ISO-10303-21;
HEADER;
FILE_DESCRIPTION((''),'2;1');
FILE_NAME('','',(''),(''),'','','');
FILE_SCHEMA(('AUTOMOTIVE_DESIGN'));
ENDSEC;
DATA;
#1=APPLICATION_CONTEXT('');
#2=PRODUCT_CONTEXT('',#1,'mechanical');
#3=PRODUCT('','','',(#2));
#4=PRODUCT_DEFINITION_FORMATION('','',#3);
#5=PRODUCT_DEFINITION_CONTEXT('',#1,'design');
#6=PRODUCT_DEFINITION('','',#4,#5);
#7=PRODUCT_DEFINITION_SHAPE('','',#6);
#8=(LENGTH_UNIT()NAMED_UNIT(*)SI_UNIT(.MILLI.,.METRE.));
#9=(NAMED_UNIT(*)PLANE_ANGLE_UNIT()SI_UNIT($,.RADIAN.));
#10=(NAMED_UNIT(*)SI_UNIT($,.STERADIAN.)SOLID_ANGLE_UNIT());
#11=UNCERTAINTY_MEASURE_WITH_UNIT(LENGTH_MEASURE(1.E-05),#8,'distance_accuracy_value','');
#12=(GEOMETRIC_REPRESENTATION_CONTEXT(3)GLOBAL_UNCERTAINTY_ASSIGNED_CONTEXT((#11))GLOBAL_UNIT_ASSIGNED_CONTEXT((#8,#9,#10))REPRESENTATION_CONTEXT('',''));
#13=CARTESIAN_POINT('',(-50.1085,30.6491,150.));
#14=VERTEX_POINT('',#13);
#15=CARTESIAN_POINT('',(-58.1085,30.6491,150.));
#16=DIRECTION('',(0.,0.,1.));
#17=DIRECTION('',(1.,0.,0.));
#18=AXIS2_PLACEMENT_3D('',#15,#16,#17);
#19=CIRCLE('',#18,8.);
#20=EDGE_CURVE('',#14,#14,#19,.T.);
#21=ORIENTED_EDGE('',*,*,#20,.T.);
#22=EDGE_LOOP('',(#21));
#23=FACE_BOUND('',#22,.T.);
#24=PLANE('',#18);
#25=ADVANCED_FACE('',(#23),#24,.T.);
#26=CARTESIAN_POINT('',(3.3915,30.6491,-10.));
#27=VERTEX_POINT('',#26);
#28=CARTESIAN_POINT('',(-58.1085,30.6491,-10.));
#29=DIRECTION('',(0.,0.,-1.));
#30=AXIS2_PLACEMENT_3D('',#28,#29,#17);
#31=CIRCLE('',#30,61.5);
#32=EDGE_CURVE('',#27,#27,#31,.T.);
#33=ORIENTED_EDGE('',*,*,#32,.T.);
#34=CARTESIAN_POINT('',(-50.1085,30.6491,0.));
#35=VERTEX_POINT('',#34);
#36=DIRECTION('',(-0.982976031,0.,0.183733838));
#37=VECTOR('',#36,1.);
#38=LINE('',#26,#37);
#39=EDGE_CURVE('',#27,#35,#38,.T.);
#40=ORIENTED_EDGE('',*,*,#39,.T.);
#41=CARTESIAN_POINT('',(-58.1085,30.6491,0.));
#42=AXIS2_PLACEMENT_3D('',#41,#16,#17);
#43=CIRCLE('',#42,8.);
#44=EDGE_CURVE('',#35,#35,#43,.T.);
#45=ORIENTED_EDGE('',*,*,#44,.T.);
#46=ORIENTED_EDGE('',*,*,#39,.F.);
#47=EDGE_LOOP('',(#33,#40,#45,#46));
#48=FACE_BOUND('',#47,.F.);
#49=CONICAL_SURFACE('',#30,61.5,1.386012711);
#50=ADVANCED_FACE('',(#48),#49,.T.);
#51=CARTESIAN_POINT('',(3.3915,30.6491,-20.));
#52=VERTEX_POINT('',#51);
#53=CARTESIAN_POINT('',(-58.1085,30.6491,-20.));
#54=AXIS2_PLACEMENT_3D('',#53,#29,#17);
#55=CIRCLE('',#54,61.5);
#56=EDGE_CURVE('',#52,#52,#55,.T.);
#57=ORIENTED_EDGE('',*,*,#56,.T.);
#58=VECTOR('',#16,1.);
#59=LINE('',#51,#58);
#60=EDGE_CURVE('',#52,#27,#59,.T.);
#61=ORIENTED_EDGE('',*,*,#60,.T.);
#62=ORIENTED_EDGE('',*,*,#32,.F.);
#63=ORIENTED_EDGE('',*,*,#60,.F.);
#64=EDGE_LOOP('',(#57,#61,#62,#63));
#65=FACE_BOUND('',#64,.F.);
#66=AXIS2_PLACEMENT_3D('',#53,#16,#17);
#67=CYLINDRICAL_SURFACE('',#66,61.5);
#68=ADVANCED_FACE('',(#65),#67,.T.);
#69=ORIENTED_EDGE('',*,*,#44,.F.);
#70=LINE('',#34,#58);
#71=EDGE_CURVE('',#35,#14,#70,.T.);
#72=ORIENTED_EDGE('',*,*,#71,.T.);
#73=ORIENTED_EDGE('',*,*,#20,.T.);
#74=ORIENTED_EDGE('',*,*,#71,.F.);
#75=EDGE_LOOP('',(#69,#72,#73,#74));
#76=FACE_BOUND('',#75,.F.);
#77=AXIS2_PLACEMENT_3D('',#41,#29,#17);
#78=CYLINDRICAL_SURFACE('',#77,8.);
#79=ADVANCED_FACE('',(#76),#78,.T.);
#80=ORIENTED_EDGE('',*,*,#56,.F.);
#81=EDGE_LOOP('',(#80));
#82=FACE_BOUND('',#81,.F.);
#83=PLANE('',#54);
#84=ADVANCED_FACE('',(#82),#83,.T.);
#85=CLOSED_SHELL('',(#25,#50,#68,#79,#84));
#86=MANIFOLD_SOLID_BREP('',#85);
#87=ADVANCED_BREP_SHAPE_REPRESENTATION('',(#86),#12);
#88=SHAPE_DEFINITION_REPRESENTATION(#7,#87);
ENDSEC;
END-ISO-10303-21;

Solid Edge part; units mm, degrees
sketch "Sketch1" plane through (0, 0, 0) normal (0, 0, 1) x (1, 0, 0)
  circle A0 centre (-58.1085, 30.6491) radius 8
  dimension "D1" = 16
extrude "Protrusion1" add sketch "Sketch1" along normal blind 150
cosmetic_thread "Thread1" size "M16"
sketch "Sketch2" plane through (0, 30.6491, 0) normal (0, -1, 0) x (1, 0, 0)
  line L0 (-50.1085, 0) -> (-58.1085, 0)
  line L1 (3.3915, -10) -> (-50.1085, 0)
  line L2 (3.3915, -20) -> (3.3915, -10)
  line L3 (-58.1085, -20) -> (3.3915, -20)
  dimension "D1" = 61.5
  dimension "D2" = 10
  dimension "D3" = 20
revolve "RevolvedProtrusion1" add sketch "Sketch2" angle 360 about axis through (-58.1085, 30.6491, 0) along (0, 0, -1)
